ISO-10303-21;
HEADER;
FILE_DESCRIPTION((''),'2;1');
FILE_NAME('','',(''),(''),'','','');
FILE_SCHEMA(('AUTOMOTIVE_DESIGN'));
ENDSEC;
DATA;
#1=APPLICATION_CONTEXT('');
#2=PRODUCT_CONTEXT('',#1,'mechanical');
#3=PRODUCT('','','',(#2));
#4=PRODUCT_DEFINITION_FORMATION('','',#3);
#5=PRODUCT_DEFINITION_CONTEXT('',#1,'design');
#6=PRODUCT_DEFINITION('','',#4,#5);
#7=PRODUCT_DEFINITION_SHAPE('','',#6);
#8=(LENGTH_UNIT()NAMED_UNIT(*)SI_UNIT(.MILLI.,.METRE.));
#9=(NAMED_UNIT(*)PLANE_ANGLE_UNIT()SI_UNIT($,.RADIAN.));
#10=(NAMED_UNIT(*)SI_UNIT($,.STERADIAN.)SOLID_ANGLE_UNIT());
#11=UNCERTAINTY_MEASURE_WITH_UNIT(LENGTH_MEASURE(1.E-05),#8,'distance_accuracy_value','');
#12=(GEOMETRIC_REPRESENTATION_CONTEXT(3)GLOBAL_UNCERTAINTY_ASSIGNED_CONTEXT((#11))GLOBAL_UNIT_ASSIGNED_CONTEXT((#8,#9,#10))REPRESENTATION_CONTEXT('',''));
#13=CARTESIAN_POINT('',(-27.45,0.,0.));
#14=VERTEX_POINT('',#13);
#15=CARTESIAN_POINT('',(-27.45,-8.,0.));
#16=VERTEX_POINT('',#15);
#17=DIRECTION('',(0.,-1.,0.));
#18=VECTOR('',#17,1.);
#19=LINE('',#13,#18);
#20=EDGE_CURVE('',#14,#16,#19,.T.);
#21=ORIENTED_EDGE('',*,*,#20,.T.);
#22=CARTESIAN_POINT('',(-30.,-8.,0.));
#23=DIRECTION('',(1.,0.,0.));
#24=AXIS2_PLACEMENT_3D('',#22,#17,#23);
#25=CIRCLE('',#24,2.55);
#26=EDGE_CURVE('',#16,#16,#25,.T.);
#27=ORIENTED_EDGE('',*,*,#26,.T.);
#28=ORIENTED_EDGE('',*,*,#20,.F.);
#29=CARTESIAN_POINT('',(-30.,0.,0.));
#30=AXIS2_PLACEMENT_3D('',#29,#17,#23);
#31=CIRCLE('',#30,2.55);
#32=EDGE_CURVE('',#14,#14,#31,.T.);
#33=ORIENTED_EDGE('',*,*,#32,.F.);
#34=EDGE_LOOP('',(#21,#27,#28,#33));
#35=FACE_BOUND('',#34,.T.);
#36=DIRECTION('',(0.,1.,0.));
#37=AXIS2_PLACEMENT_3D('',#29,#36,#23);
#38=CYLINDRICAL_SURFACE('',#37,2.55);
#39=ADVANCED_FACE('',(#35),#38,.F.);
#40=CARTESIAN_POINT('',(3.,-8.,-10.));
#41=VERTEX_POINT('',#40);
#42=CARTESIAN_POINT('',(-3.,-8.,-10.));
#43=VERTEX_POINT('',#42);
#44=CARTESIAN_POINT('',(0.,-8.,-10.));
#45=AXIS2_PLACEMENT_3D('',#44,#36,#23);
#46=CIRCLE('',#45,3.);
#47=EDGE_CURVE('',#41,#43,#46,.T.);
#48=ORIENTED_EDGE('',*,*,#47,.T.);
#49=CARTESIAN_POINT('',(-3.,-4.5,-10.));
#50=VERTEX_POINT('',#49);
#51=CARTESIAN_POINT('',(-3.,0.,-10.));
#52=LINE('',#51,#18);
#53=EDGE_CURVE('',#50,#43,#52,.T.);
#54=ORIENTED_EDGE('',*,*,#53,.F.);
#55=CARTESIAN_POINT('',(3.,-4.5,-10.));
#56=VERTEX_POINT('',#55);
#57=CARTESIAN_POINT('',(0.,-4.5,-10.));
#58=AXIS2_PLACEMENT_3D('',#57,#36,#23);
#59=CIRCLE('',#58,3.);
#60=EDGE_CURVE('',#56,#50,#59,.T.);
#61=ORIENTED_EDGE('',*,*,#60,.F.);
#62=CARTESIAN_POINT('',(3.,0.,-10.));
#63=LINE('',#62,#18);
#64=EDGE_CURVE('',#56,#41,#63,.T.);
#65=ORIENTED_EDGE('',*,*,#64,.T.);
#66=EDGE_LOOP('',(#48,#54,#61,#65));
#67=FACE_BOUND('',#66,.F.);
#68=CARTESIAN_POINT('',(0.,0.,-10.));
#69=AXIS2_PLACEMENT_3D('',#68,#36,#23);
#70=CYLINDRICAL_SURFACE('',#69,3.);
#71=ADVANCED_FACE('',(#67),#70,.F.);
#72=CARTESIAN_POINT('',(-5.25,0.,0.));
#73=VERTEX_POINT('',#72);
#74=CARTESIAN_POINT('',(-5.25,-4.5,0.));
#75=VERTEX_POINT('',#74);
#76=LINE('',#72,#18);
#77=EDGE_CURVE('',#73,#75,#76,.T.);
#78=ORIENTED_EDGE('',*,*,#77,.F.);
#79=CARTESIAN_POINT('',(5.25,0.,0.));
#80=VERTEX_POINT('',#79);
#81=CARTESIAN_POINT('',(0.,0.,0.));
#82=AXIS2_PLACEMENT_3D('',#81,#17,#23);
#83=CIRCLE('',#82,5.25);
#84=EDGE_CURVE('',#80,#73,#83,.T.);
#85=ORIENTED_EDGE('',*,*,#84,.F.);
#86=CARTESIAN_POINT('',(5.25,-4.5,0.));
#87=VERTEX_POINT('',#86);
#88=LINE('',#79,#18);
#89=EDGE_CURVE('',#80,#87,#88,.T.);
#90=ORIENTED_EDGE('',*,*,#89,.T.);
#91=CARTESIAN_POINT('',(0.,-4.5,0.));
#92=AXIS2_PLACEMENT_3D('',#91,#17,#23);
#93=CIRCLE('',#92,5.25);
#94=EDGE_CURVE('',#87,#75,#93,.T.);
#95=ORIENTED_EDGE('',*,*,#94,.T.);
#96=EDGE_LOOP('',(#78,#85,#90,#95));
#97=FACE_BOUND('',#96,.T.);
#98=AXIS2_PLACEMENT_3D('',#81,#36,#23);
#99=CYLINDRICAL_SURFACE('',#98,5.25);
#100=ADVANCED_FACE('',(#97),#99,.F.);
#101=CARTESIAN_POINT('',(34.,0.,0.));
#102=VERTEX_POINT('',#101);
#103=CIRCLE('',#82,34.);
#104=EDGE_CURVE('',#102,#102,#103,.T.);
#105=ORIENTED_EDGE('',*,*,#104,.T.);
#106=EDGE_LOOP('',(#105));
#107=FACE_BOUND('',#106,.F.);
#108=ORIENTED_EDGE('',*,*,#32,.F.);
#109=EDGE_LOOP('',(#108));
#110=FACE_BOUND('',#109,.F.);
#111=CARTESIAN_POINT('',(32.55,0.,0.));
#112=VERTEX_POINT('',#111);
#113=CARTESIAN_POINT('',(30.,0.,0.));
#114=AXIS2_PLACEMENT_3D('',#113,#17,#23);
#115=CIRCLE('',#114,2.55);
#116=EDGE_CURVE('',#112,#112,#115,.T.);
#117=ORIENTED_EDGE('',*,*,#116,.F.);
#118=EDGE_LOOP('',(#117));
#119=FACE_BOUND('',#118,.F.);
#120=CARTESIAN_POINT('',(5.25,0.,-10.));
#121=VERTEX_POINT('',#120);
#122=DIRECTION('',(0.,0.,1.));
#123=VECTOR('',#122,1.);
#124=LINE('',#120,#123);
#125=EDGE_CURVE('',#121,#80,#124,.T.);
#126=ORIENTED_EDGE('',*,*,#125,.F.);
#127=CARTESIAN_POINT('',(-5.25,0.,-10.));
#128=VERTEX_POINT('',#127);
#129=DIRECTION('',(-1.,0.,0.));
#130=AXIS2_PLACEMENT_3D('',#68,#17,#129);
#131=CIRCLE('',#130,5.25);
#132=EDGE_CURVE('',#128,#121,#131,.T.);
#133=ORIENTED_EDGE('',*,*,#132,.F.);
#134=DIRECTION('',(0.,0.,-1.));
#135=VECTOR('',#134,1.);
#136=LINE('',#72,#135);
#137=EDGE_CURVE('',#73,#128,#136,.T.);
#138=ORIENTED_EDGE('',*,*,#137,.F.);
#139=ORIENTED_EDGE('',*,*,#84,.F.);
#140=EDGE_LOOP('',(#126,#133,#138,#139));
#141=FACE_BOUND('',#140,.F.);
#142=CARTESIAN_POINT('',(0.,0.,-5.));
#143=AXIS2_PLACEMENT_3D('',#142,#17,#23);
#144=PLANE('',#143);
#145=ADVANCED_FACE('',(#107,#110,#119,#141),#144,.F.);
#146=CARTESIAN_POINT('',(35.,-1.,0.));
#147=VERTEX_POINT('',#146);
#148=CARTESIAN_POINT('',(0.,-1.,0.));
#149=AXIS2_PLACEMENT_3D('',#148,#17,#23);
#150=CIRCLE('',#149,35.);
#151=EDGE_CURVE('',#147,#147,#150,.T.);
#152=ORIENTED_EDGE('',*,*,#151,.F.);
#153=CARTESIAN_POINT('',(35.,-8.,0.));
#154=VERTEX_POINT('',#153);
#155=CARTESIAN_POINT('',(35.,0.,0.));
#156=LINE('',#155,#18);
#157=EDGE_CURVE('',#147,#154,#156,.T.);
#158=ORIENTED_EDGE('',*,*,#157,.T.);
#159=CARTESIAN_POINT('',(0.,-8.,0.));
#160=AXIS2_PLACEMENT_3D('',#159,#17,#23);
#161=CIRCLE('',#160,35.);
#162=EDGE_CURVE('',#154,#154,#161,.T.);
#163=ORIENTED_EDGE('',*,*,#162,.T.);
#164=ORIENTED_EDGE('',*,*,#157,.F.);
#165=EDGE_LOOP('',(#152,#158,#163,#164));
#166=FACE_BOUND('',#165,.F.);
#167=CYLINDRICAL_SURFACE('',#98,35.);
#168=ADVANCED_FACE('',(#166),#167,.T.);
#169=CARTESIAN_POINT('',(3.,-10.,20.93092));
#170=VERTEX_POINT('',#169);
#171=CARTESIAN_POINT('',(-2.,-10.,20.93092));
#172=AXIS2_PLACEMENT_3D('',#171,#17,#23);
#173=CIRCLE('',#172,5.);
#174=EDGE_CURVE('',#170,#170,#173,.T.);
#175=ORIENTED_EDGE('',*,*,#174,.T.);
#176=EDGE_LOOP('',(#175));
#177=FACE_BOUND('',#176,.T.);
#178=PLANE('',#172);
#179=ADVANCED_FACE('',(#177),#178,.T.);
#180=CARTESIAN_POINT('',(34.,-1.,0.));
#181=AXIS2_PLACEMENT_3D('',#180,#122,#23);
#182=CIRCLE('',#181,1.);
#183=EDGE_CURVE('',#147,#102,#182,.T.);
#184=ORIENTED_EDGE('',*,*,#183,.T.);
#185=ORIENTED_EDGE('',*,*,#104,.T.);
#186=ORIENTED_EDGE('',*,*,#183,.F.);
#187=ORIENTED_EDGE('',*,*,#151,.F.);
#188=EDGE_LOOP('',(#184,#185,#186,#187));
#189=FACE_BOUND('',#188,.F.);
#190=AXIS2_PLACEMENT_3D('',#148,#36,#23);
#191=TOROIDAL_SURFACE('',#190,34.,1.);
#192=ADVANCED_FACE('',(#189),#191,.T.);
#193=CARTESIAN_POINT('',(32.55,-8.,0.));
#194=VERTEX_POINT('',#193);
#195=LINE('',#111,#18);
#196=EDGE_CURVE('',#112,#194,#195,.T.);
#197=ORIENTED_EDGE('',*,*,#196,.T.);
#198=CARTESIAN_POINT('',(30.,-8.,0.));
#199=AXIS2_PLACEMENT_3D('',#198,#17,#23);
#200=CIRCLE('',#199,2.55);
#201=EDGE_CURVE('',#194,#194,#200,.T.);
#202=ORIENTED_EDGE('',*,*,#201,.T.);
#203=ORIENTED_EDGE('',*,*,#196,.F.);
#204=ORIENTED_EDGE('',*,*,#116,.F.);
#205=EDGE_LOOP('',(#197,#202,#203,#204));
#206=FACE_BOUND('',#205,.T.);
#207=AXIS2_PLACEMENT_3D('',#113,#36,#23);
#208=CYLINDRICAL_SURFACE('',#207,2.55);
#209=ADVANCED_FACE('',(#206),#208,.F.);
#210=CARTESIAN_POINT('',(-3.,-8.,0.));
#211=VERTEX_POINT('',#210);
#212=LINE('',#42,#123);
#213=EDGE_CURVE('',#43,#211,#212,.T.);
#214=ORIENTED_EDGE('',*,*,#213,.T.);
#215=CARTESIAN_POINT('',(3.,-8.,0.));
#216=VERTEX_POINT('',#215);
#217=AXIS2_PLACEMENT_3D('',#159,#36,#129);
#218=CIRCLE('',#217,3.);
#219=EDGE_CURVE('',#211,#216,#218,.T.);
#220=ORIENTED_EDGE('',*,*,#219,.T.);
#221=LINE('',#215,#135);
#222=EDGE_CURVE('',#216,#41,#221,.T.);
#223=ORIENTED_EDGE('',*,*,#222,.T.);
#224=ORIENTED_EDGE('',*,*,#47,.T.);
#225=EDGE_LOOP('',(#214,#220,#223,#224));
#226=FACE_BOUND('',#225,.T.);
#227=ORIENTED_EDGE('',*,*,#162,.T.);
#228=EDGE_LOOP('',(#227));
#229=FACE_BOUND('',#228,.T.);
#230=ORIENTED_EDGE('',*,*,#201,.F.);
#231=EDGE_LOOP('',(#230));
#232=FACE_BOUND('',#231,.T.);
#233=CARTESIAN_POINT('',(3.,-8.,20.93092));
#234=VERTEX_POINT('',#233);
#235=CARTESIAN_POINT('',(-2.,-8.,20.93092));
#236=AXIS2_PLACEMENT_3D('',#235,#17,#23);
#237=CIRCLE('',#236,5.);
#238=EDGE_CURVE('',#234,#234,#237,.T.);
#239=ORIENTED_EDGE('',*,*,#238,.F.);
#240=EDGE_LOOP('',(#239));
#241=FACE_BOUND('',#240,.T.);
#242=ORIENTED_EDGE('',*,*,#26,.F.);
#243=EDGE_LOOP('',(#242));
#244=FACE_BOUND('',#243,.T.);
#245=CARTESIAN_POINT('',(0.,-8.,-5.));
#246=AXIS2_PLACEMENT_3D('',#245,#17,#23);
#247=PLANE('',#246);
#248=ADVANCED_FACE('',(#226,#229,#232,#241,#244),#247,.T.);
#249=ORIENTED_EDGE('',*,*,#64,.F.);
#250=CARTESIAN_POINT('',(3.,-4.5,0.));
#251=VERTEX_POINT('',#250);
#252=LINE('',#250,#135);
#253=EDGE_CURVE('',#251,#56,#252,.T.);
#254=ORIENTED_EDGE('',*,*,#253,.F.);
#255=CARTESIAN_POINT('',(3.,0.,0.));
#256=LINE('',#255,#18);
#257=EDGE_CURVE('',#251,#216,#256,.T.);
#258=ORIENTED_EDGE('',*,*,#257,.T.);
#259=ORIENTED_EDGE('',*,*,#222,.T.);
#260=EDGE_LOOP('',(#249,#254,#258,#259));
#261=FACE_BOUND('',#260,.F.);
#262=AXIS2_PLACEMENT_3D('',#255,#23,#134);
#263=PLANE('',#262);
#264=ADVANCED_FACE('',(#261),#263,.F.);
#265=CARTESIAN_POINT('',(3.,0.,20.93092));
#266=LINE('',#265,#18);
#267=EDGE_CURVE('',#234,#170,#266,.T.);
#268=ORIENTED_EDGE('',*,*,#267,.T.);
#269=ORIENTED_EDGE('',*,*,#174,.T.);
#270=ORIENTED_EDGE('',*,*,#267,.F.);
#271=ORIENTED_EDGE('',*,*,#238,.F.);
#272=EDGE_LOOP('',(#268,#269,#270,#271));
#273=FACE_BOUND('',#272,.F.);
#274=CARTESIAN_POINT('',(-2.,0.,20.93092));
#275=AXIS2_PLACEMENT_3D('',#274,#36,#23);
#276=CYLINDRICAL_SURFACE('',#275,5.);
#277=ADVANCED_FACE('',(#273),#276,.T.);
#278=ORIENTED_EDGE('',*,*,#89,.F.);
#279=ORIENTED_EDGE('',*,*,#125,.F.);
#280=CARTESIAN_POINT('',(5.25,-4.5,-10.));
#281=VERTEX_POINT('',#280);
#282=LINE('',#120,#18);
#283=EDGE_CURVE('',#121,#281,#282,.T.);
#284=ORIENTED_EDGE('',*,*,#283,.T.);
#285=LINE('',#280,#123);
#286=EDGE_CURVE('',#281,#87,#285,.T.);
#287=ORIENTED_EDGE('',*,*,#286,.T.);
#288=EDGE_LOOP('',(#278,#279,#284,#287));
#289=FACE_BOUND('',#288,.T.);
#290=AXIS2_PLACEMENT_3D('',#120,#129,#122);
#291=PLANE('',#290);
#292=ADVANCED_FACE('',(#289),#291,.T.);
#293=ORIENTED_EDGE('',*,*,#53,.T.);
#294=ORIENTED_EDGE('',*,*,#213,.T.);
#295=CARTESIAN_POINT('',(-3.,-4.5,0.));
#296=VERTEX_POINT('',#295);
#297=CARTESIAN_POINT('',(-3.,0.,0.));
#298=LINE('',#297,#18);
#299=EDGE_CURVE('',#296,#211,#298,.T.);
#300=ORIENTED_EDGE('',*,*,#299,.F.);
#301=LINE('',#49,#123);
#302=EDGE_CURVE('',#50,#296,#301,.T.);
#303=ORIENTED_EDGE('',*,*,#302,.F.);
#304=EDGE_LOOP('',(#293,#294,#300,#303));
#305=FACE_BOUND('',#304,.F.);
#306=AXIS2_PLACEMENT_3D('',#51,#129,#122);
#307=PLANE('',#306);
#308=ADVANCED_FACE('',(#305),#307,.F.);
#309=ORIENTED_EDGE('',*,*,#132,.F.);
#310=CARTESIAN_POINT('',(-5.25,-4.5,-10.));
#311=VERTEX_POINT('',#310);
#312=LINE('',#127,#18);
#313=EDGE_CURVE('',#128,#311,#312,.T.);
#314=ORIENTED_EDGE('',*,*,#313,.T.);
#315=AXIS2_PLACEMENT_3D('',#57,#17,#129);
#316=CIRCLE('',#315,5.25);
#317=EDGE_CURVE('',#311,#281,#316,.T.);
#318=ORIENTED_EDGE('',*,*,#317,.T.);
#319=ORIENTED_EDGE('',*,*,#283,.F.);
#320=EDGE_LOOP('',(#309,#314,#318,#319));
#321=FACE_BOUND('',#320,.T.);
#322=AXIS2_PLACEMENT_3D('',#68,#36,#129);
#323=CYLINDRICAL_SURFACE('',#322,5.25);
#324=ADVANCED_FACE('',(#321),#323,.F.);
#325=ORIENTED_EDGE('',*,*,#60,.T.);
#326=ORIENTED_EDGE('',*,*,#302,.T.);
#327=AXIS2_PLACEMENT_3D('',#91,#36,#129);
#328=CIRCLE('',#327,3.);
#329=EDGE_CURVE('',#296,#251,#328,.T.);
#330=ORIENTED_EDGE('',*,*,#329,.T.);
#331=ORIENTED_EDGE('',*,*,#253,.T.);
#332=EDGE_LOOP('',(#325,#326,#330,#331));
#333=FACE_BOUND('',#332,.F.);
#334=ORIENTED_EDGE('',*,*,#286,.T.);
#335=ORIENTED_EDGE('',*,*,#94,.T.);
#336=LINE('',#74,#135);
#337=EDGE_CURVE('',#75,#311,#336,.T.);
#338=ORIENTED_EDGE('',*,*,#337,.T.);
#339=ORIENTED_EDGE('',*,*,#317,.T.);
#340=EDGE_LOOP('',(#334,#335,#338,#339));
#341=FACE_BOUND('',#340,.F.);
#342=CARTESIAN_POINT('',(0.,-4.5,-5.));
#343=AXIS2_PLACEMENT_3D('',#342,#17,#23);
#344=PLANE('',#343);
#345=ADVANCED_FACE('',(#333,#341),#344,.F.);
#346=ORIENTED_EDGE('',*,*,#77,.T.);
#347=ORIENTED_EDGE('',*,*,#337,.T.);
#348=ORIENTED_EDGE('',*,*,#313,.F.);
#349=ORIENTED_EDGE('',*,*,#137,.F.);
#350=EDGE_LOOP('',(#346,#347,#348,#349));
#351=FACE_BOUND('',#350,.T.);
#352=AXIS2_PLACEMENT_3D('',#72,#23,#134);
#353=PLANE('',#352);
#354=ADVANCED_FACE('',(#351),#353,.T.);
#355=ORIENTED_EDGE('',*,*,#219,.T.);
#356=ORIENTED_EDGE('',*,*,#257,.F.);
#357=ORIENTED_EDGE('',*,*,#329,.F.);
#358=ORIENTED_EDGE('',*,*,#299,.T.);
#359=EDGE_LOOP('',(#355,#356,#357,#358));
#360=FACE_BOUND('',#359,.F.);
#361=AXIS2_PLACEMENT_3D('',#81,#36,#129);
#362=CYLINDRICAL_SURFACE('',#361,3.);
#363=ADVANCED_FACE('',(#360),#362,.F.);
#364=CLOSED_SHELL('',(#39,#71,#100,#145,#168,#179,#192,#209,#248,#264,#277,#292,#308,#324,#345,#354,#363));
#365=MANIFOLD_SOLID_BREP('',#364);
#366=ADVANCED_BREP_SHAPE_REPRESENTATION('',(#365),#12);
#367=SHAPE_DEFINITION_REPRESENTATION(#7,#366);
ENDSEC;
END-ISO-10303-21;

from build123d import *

# Parameters (mm, degrees)
F0_R     = 35
F0_R_2   = 2.55
F0_R_3   = 5
F1_DEPTH = 8
F2_DEPTH = 8
F3_DEPTH = 4.5
F4_R     = 1
F5_DEPTH = 10


with BuildPart() as f1:
    # F0 (on Front) → F1 (new body)
    with BuildSketch(Plane.XZ):
        Circle(F0_R)
        with BuildLine():
            ThreePointArc((-5.25, 0), (0, 5.25), (5.25, 0))
            Line((5.25, 0), (5.25, -10))
            ThreePointArc((5.25, -10), (0, -15.25), (-5.25, -10))
            Line((-5.25, -10), (-5.25, 0))
        make_face(mode=Mode.SUBTRACT)
        with Locations((-30, 0)):
            Circle(F0_R_2, mode=Mode.SUBTRACT)
        with Locations((-2, 20.93092)):
            Circle(F0_R_3, mode=Mode.SUBTRACT)
        with Locations((30, 0)):
            Circle(F0_R_2, mode=Mode.SUBTRACT)
    extrude(amount=F1_DEPTH)

    # F0 (on Front) → F2 (join)
    with BuildSketch(Plane.XZ):
        with BuildLine():
            Line((5.25, -10), (5.25, 0))
            ThreePointArc((5.25, 0), (0, 5.25), (-5.25, 0))
            Line((-5.25, 0), (-5.25, -10))
            ThreePointArc((-5.25, -10), (0, -15.25), (5.25, -10))
        make_face()
        with BuildLine():
            ThreePointArc((-3, 0), (0, 3), (3, 0))
            Line((3, 0), (3, -10))
            ThreePointArc((3, -10), (0, -13), (-3, -10))
            Line((-3, -10), (-3, 0))
        make_face(mode=Mode.SUBTRACT)
    extrude(amount=F2_DEPTH)

    # F0 (on Front) → F3 (cut)
    with BuildSketch(Plane.XZ):
        with BuildLine():
            Line((5.25, -10), (5.25, 0))
            ThreePointArc((5.25, 0), (0, 5.25), (-5.25, 0))
            Line((-5.25, 0), (-5.25, -10))
            ThreePointArc((-5.25, -10), (0, -15.25), (5.25, -10))
        make_face()
        with BuildLine():
            ThreePointArc((-3, 0), (0, 3), (3, 0))
            Line((3, 0), (3, -10))
            ThreePointArc((3, -10), (0, -13), (-3, -10))
            Line((-3, -10), (-3, 0))
        make_face(mode=Mode.SUBTRACT)
    extrude(amount=F3_DEPTH, mode=Mode.SUBTRACT)

    # F4
    f4_edges = [f1.edges().sort_by_distance(p)[0] for p in [
        (-35, 0, 0),
    ]]
    fillet(f4_edges, radius=F4_R)

    # F0 (on Front) → F5 (join)
    with BuildSketch(Plane.XZ):
        with Locations((-2, 20.93092)):
            Circle(F0_R_3)
    extrude(amount=F5_DEPTH)


solid = f1.part
